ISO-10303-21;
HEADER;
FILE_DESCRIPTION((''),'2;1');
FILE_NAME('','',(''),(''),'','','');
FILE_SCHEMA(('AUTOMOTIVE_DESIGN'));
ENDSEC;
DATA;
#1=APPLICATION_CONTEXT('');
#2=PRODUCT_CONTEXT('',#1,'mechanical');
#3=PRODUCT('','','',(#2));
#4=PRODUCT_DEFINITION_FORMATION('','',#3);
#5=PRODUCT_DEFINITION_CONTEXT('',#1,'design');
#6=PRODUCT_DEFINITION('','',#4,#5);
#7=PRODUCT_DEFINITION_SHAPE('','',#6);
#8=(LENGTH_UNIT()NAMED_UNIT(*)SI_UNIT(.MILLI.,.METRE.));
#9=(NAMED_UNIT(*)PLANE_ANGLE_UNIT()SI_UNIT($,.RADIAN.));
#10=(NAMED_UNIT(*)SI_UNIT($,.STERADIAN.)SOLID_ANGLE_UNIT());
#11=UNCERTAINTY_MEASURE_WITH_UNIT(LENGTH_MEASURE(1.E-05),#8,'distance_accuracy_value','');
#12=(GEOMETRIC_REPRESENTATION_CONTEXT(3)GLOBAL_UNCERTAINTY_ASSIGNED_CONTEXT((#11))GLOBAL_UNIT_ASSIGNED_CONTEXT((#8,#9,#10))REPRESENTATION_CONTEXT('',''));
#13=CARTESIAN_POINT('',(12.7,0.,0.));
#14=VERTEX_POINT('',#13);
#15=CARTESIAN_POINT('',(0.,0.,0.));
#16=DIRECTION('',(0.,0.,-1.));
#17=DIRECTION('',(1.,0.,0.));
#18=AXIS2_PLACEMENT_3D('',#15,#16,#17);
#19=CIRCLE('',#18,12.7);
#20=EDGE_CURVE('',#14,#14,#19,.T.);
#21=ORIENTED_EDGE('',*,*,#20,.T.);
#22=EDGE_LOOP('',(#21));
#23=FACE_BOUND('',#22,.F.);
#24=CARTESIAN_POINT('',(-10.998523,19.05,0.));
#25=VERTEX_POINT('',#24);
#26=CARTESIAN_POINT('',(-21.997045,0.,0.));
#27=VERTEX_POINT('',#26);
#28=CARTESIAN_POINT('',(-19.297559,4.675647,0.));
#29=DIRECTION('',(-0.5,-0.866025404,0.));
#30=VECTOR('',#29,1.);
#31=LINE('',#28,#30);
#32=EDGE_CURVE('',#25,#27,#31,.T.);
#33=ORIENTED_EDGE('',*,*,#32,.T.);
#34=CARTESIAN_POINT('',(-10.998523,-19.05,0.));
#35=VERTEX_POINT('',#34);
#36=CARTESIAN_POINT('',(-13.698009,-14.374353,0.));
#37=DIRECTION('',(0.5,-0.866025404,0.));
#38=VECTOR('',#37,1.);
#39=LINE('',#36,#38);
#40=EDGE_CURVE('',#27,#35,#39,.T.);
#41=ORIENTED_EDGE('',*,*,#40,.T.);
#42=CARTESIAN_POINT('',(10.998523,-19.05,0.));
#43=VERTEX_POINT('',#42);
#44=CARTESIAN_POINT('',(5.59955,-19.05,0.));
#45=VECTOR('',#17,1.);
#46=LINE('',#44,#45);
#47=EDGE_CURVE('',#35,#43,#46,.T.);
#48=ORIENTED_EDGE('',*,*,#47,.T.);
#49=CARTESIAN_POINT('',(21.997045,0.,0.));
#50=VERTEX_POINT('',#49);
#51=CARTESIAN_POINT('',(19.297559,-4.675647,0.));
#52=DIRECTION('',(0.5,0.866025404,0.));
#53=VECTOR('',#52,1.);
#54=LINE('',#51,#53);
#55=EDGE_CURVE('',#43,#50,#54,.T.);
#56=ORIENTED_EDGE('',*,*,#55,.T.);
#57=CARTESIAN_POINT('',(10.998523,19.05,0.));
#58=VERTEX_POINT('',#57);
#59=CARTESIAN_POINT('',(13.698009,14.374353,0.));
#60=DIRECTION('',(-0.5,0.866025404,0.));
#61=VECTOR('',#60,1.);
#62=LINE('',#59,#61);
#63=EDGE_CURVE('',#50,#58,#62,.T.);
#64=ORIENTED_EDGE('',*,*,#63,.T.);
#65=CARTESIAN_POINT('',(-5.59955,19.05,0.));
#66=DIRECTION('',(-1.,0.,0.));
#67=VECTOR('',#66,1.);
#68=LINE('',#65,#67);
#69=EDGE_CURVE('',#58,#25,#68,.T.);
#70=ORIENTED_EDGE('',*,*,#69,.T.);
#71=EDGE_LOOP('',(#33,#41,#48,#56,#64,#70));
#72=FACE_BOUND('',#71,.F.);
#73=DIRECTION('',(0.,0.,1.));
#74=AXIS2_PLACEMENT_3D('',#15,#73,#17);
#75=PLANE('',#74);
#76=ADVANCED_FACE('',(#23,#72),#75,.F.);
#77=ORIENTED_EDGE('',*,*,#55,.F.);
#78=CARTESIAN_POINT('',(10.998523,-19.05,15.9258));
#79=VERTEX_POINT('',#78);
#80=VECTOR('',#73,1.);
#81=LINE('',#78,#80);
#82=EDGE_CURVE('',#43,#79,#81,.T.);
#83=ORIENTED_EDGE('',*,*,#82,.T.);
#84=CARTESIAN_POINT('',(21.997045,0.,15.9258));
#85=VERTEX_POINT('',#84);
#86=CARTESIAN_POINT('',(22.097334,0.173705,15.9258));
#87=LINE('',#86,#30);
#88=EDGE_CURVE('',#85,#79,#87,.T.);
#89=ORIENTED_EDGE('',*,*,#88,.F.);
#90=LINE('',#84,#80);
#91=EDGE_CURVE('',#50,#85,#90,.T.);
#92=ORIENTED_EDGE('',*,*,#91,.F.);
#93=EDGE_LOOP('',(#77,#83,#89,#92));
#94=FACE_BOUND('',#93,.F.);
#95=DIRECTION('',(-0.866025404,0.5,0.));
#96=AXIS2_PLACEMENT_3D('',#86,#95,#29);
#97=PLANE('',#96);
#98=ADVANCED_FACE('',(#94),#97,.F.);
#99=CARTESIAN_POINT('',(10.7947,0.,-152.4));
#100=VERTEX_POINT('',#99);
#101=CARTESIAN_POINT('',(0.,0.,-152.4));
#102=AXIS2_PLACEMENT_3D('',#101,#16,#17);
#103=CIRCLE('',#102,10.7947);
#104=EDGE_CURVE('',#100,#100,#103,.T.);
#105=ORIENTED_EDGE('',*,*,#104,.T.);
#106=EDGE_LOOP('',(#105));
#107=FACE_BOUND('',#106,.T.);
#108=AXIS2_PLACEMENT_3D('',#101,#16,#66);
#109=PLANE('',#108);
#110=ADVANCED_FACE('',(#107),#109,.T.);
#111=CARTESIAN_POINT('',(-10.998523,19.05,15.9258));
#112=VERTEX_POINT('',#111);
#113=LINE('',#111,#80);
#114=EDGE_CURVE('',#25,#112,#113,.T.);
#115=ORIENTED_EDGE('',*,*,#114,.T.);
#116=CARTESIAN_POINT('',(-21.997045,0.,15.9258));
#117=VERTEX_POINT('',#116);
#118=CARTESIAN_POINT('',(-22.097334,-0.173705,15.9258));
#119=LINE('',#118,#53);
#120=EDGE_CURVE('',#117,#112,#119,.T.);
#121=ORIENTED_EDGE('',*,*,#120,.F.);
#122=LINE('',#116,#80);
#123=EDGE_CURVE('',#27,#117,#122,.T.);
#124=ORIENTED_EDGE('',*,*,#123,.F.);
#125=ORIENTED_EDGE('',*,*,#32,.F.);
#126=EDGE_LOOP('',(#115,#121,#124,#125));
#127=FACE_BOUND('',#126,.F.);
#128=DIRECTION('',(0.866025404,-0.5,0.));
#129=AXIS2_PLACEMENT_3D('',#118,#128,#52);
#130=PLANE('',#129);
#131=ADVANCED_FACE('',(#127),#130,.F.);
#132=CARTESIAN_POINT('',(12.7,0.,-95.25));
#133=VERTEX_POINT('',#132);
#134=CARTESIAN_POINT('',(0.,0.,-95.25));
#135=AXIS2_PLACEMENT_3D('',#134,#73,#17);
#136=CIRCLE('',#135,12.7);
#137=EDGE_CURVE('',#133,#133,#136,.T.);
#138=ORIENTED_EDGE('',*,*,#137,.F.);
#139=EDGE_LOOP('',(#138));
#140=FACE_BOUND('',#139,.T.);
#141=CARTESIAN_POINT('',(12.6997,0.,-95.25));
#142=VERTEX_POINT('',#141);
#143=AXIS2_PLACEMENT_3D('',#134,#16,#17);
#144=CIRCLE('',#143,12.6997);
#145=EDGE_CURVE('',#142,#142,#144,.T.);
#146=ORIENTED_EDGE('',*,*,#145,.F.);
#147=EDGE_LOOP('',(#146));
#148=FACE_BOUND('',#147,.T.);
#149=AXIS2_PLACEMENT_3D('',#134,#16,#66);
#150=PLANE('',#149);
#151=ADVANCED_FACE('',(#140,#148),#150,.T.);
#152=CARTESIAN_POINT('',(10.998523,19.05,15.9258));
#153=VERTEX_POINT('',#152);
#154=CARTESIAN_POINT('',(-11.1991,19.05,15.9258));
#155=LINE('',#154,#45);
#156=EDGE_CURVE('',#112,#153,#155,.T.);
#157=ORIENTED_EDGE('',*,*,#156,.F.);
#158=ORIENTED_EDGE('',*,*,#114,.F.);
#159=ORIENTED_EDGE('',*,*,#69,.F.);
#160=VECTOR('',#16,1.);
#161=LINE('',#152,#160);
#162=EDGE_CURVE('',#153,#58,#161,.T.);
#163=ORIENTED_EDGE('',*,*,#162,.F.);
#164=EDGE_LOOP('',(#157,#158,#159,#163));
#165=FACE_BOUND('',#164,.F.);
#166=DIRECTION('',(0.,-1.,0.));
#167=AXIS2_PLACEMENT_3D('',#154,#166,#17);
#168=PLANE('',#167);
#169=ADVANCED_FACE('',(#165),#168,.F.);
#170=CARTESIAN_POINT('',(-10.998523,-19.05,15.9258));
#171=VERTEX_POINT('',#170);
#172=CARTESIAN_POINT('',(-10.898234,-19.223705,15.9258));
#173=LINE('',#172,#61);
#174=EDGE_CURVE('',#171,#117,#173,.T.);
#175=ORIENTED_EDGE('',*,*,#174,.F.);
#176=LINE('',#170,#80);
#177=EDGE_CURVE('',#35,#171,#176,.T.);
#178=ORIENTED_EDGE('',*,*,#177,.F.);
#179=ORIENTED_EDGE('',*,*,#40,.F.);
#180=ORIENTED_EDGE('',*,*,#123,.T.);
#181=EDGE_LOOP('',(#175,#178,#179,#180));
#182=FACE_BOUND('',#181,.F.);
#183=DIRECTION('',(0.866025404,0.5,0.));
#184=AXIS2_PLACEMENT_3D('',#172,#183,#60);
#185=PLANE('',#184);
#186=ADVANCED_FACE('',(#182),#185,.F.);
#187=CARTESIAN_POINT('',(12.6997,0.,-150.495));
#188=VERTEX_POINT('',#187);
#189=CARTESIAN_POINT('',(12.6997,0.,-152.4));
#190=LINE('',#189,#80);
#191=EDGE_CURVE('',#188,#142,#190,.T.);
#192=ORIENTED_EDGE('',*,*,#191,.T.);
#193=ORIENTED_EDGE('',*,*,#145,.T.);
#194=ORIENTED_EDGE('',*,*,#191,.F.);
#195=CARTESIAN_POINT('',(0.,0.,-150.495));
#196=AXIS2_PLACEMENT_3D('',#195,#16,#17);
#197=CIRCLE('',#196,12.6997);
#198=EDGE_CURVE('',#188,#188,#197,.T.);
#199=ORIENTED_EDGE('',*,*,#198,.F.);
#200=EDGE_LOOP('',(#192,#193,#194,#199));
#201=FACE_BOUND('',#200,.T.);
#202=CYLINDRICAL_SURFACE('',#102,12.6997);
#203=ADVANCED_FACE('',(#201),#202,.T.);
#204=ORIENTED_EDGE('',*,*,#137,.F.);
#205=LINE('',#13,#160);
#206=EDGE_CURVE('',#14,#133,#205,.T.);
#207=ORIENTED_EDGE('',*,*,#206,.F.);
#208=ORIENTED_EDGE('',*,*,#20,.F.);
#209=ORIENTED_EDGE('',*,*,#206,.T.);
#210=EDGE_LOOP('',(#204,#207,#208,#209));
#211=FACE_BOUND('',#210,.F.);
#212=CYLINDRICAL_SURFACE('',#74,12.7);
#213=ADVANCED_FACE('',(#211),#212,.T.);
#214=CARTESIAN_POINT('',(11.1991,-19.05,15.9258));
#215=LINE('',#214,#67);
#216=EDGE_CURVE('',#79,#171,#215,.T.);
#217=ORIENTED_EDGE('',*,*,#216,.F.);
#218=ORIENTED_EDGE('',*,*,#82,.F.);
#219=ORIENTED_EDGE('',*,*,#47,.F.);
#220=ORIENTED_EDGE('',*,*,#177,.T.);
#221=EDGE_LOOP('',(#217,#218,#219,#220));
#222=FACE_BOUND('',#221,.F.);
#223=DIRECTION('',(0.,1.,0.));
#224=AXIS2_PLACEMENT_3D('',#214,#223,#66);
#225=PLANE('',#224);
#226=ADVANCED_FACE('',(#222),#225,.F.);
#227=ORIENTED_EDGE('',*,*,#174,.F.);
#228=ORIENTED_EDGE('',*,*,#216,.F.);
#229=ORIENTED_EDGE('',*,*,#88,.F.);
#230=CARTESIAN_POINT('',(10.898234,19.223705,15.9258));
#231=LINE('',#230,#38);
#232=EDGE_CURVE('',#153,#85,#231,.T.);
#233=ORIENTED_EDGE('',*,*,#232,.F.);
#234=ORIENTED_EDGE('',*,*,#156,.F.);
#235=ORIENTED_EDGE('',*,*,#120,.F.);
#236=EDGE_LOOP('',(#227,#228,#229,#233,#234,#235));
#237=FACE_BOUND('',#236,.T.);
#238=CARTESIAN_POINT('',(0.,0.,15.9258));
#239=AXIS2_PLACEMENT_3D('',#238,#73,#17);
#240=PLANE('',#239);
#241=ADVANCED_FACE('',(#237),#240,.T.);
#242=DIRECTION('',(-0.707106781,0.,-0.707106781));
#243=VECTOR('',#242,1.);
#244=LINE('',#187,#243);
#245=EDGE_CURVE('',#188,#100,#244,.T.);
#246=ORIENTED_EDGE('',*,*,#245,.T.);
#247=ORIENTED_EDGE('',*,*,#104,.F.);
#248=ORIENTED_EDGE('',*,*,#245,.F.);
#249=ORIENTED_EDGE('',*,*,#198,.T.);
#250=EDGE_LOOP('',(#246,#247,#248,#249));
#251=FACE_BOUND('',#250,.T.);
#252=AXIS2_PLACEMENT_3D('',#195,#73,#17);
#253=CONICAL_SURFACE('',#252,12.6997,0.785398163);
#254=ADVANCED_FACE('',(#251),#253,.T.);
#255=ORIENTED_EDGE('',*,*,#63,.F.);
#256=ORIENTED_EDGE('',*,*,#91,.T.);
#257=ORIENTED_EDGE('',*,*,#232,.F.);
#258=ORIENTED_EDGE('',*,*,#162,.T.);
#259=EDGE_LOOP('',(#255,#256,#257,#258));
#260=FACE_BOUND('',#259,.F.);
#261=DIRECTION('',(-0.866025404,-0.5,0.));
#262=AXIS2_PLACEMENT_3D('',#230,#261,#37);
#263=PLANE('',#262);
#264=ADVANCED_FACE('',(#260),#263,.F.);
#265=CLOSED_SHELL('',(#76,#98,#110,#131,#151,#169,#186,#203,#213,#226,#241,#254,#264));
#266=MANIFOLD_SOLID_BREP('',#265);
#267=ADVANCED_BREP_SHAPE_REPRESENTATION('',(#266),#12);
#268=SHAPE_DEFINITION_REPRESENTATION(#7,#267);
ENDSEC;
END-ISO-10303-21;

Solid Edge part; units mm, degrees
sketch "Sketch1" plane through (0, 0, 0) normal (0, 0, 1) x (1, 0, 0)
  circle A0 centre (0, 0) radius 22.098
  dimension "D1" = 44.196
extrude "Protrusion1" add sketch "Sketch1" along normal blind 15.9258
sketch "Sketch2" plane through (0, 0, 0) normal (0, 0, -1) x (1, 0, 0)
  circle A0 centre (0, 0) radius 12.7
extrude "Protrusion2" add sketch "Sketch2" along normal blind 152.4
sketch "Sketch3" plane through (0, 0, -152.4) normal (0, 0, -1) x (1, 0, 0)
  circle A0 centre (0, 0) radius 12.6997
extrude "Cutout1" cut sketch "Sketch3" against normal blind 57.15 flip side to cut
chamfer "Chamfer_1" distance 1.905 angle 45 1 edges at (-12.6997, 0, -152.4)
sketch "Sketch4" plane through (0, 0, 15.9258) normal (0, 0, 1) x (1, 0, 0)
  line L0 (-11.1991, 19.05) -> (11.1991, 19.05)
  dimension "D1" = 38.1
extrude "Cutout2" cut sketch "Sketch4" against normal up to next material side at (0, 19.1, 15.9258)
pattern_circular "Pattern1" count 6 over 360 about axis through (0, 0, 15.9258) along (0, 0, 1) of "Cutout2"
properties part number "24106927"
